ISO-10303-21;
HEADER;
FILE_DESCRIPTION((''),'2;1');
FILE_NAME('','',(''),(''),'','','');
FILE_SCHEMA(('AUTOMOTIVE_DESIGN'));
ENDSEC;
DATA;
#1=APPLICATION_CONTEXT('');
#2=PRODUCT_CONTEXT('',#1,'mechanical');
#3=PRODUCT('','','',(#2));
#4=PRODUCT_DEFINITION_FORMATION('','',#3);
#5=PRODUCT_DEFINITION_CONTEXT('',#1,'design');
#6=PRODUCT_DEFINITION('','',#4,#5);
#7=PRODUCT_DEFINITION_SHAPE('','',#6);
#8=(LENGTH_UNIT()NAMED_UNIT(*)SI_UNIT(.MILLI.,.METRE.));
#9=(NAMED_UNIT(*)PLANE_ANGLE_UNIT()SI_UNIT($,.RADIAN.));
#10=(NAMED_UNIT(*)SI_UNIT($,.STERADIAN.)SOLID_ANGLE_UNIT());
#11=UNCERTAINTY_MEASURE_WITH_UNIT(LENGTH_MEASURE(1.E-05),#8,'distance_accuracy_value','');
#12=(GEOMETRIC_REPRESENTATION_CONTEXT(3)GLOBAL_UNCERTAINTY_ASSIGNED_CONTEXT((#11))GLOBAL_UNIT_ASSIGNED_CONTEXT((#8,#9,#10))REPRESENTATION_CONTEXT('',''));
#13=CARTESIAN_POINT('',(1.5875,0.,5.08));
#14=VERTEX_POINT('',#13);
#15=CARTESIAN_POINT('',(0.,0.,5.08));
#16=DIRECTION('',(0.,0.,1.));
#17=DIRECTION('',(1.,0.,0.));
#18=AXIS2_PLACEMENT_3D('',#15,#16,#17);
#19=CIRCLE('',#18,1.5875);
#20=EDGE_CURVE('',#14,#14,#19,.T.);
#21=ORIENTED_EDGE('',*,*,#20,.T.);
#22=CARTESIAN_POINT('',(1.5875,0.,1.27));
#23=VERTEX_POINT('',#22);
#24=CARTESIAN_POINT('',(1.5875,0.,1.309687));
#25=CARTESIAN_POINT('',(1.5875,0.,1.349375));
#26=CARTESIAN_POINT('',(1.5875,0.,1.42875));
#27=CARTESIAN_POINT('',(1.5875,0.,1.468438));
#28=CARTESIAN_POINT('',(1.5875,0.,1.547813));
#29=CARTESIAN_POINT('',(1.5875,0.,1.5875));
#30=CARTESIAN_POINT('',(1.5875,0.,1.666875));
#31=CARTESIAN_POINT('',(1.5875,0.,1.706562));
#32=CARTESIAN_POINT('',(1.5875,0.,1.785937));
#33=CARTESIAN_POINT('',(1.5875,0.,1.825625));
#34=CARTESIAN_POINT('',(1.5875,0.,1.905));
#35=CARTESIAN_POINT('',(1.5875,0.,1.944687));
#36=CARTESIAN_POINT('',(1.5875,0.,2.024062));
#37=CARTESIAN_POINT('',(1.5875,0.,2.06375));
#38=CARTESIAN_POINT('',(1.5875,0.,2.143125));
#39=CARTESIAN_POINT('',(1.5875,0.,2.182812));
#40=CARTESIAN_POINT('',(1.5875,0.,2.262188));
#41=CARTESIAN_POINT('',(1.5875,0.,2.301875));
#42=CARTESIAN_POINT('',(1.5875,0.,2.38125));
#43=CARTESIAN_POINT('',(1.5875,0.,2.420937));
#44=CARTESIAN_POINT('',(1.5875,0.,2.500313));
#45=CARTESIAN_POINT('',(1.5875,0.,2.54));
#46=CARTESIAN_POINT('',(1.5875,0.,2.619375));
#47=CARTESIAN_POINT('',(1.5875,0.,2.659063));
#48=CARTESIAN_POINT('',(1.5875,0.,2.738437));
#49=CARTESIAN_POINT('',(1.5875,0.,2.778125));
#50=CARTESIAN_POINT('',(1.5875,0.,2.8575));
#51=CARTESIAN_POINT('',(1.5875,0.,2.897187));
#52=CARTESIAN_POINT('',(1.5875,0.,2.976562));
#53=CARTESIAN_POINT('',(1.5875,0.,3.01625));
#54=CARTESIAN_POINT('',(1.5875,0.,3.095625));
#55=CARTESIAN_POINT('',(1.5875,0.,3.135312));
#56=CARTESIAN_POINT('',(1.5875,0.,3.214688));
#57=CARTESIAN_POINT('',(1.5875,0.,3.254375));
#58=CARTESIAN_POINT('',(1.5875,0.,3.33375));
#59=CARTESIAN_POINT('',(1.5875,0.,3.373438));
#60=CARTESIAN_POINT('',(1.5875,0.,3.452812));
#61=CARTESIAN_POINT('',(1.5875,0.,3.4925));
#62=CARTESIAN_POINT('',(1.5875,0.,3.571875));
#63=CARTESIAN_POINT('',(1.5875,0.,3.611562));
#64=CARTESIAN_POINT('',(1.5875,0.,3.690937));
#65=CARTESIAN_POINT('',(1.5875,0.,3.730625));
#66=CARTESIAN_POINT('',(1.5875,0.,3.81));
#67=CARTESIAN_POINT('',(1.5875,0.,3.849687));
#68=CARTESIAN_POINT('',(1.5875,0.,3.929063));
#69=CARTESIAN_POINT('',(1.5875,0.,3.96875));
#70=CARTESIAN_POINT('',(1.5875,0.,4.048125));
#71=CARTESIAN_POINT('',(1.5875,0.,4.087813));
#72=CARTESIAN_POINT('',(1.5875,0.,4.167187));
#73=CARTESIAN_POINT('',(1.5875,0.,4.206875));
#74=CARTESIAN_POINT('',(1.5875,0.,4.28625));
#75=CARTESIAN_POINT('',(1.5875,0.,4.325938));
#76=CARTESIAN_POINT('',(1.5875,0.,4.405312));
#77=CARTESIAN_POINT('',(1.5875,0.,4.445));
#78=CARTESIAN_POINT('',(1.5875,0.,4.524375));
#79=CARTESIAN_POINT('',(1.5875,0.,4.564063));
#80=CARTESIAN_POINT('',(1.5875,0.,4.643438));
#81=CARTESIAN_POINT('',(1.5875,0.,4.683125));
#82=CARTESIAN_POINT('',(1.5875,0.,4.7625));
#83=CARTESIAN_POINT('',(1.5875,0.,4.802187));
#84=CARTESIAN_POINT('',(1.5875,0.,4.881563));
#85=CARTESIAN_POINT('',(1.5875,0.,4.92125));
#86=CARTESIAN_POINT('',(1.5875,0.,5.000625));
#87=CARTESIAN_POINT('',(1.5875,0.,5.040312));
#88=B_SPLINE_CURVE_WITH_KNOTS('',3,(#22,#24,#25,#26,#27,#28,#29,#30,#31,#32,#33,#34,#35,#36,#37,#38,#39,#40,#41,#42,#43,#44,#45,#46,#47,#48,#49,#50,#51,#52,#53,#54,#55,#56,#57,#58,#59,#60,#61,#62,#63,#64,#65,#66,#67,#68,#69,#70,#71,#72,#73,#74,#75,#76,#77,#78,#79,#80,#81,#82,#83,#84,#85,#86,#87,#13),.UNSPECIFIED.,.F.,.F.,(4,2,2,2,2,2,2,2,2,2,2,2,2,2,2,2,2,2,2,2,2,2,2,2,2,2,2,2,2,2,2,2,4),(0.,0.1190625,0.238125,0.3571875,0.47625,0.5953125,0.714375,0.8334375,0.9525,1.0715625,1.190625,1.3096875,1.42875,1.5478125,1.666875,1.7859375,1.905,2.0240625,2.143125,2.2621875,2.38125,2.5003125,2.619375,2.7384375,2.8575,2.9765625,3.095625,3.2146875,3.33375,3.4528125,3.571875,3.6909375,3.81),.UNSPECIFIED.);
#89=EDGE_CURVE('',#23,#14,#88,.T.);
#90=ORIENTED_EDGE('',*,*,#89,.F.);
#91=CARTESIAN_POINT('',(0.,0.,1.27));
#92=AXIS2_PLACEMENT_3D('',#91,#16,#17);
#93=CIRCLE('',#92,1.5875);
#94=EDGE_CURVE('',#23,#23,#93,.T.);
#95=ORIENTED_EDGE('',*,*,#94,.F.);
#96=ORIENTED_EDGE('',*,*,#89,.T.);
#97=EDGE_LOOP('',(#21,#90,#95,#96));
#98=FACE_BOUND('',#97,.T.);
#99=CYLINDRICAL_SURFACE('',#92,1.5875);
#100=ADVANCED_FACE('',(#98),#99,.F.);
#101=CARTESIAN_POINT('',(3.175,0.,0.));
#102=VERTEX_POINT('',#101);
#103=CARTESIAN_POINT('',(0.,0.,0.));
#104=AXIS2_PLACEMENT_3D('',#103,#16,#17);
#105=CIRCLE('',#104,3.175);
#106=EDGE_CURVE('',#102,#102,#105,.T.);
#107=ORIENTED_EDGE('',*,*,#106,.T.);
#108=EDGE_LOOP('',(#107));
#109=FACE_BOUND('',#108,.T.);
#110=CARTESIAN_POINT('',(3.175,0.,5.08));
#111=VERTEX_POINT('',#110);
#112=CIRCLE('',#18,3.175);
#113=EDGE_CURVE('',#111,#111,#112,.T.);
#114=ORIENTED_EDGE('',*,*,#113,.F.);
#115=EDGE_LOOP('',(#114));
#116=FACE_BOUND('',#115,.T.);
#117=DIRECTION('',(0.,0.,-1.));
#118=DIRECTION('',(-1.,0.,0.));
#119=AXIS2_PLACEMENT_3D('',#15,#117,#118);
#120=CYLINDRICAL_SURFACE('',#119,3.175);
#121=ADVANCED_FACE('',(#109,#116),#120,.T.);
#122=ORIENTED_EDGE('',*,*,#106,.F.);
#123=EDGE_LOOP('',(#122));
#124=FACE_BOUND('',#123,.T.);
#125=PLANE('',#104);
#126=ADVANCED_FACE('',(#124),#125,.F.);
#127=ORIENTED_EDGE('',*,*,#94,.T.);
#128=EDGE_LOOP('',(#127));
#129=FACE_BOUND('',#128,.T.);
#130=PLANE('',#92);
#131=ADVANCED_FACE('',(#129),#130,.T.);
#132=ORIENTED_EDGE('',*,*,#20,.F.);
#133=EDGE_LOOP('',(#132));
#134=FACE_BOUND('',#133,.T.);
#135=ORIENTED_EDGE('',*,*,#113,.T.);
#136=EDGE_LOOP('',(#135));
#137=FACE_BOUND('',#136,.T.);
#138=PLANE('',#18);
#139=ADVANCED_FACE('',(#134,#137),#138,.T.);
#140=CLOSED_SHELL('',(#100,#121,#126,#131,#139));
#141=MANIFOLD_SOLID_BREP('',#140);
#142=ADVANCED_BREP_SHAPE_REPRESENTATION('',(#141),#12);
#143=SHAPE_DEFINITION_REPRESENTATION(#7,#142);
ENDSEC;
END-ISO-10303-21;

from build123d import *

# Parameters (mm, degrees)
SKETCH1_R           = 3.175
BOSS_EXTRUDE1_DEPTH = 5.08
SKETCH2_R           = 1.5875
CUT_EXTRUDE1_DEPTH  = 3.81


with BuildPart() as part:
    # Sketch1 → Boss-Extrude1 (new body)
    with BuildSketch(Plane.XY):
        Circle(SKETCH1_R)
    extrude(amount=BOSS_EXTRUDE1_DEPTH)

    # Sketch2 → Cut-Extrude1 (cut)
    with BuildSketch(Plane.XY.offset(5.08)):
        Circle(SKETCH2_R)
    extrude(amount=-CUT_EXTRUDE1_DEPTH, mode=Mode.SUBTRACT)


solid = part.part
